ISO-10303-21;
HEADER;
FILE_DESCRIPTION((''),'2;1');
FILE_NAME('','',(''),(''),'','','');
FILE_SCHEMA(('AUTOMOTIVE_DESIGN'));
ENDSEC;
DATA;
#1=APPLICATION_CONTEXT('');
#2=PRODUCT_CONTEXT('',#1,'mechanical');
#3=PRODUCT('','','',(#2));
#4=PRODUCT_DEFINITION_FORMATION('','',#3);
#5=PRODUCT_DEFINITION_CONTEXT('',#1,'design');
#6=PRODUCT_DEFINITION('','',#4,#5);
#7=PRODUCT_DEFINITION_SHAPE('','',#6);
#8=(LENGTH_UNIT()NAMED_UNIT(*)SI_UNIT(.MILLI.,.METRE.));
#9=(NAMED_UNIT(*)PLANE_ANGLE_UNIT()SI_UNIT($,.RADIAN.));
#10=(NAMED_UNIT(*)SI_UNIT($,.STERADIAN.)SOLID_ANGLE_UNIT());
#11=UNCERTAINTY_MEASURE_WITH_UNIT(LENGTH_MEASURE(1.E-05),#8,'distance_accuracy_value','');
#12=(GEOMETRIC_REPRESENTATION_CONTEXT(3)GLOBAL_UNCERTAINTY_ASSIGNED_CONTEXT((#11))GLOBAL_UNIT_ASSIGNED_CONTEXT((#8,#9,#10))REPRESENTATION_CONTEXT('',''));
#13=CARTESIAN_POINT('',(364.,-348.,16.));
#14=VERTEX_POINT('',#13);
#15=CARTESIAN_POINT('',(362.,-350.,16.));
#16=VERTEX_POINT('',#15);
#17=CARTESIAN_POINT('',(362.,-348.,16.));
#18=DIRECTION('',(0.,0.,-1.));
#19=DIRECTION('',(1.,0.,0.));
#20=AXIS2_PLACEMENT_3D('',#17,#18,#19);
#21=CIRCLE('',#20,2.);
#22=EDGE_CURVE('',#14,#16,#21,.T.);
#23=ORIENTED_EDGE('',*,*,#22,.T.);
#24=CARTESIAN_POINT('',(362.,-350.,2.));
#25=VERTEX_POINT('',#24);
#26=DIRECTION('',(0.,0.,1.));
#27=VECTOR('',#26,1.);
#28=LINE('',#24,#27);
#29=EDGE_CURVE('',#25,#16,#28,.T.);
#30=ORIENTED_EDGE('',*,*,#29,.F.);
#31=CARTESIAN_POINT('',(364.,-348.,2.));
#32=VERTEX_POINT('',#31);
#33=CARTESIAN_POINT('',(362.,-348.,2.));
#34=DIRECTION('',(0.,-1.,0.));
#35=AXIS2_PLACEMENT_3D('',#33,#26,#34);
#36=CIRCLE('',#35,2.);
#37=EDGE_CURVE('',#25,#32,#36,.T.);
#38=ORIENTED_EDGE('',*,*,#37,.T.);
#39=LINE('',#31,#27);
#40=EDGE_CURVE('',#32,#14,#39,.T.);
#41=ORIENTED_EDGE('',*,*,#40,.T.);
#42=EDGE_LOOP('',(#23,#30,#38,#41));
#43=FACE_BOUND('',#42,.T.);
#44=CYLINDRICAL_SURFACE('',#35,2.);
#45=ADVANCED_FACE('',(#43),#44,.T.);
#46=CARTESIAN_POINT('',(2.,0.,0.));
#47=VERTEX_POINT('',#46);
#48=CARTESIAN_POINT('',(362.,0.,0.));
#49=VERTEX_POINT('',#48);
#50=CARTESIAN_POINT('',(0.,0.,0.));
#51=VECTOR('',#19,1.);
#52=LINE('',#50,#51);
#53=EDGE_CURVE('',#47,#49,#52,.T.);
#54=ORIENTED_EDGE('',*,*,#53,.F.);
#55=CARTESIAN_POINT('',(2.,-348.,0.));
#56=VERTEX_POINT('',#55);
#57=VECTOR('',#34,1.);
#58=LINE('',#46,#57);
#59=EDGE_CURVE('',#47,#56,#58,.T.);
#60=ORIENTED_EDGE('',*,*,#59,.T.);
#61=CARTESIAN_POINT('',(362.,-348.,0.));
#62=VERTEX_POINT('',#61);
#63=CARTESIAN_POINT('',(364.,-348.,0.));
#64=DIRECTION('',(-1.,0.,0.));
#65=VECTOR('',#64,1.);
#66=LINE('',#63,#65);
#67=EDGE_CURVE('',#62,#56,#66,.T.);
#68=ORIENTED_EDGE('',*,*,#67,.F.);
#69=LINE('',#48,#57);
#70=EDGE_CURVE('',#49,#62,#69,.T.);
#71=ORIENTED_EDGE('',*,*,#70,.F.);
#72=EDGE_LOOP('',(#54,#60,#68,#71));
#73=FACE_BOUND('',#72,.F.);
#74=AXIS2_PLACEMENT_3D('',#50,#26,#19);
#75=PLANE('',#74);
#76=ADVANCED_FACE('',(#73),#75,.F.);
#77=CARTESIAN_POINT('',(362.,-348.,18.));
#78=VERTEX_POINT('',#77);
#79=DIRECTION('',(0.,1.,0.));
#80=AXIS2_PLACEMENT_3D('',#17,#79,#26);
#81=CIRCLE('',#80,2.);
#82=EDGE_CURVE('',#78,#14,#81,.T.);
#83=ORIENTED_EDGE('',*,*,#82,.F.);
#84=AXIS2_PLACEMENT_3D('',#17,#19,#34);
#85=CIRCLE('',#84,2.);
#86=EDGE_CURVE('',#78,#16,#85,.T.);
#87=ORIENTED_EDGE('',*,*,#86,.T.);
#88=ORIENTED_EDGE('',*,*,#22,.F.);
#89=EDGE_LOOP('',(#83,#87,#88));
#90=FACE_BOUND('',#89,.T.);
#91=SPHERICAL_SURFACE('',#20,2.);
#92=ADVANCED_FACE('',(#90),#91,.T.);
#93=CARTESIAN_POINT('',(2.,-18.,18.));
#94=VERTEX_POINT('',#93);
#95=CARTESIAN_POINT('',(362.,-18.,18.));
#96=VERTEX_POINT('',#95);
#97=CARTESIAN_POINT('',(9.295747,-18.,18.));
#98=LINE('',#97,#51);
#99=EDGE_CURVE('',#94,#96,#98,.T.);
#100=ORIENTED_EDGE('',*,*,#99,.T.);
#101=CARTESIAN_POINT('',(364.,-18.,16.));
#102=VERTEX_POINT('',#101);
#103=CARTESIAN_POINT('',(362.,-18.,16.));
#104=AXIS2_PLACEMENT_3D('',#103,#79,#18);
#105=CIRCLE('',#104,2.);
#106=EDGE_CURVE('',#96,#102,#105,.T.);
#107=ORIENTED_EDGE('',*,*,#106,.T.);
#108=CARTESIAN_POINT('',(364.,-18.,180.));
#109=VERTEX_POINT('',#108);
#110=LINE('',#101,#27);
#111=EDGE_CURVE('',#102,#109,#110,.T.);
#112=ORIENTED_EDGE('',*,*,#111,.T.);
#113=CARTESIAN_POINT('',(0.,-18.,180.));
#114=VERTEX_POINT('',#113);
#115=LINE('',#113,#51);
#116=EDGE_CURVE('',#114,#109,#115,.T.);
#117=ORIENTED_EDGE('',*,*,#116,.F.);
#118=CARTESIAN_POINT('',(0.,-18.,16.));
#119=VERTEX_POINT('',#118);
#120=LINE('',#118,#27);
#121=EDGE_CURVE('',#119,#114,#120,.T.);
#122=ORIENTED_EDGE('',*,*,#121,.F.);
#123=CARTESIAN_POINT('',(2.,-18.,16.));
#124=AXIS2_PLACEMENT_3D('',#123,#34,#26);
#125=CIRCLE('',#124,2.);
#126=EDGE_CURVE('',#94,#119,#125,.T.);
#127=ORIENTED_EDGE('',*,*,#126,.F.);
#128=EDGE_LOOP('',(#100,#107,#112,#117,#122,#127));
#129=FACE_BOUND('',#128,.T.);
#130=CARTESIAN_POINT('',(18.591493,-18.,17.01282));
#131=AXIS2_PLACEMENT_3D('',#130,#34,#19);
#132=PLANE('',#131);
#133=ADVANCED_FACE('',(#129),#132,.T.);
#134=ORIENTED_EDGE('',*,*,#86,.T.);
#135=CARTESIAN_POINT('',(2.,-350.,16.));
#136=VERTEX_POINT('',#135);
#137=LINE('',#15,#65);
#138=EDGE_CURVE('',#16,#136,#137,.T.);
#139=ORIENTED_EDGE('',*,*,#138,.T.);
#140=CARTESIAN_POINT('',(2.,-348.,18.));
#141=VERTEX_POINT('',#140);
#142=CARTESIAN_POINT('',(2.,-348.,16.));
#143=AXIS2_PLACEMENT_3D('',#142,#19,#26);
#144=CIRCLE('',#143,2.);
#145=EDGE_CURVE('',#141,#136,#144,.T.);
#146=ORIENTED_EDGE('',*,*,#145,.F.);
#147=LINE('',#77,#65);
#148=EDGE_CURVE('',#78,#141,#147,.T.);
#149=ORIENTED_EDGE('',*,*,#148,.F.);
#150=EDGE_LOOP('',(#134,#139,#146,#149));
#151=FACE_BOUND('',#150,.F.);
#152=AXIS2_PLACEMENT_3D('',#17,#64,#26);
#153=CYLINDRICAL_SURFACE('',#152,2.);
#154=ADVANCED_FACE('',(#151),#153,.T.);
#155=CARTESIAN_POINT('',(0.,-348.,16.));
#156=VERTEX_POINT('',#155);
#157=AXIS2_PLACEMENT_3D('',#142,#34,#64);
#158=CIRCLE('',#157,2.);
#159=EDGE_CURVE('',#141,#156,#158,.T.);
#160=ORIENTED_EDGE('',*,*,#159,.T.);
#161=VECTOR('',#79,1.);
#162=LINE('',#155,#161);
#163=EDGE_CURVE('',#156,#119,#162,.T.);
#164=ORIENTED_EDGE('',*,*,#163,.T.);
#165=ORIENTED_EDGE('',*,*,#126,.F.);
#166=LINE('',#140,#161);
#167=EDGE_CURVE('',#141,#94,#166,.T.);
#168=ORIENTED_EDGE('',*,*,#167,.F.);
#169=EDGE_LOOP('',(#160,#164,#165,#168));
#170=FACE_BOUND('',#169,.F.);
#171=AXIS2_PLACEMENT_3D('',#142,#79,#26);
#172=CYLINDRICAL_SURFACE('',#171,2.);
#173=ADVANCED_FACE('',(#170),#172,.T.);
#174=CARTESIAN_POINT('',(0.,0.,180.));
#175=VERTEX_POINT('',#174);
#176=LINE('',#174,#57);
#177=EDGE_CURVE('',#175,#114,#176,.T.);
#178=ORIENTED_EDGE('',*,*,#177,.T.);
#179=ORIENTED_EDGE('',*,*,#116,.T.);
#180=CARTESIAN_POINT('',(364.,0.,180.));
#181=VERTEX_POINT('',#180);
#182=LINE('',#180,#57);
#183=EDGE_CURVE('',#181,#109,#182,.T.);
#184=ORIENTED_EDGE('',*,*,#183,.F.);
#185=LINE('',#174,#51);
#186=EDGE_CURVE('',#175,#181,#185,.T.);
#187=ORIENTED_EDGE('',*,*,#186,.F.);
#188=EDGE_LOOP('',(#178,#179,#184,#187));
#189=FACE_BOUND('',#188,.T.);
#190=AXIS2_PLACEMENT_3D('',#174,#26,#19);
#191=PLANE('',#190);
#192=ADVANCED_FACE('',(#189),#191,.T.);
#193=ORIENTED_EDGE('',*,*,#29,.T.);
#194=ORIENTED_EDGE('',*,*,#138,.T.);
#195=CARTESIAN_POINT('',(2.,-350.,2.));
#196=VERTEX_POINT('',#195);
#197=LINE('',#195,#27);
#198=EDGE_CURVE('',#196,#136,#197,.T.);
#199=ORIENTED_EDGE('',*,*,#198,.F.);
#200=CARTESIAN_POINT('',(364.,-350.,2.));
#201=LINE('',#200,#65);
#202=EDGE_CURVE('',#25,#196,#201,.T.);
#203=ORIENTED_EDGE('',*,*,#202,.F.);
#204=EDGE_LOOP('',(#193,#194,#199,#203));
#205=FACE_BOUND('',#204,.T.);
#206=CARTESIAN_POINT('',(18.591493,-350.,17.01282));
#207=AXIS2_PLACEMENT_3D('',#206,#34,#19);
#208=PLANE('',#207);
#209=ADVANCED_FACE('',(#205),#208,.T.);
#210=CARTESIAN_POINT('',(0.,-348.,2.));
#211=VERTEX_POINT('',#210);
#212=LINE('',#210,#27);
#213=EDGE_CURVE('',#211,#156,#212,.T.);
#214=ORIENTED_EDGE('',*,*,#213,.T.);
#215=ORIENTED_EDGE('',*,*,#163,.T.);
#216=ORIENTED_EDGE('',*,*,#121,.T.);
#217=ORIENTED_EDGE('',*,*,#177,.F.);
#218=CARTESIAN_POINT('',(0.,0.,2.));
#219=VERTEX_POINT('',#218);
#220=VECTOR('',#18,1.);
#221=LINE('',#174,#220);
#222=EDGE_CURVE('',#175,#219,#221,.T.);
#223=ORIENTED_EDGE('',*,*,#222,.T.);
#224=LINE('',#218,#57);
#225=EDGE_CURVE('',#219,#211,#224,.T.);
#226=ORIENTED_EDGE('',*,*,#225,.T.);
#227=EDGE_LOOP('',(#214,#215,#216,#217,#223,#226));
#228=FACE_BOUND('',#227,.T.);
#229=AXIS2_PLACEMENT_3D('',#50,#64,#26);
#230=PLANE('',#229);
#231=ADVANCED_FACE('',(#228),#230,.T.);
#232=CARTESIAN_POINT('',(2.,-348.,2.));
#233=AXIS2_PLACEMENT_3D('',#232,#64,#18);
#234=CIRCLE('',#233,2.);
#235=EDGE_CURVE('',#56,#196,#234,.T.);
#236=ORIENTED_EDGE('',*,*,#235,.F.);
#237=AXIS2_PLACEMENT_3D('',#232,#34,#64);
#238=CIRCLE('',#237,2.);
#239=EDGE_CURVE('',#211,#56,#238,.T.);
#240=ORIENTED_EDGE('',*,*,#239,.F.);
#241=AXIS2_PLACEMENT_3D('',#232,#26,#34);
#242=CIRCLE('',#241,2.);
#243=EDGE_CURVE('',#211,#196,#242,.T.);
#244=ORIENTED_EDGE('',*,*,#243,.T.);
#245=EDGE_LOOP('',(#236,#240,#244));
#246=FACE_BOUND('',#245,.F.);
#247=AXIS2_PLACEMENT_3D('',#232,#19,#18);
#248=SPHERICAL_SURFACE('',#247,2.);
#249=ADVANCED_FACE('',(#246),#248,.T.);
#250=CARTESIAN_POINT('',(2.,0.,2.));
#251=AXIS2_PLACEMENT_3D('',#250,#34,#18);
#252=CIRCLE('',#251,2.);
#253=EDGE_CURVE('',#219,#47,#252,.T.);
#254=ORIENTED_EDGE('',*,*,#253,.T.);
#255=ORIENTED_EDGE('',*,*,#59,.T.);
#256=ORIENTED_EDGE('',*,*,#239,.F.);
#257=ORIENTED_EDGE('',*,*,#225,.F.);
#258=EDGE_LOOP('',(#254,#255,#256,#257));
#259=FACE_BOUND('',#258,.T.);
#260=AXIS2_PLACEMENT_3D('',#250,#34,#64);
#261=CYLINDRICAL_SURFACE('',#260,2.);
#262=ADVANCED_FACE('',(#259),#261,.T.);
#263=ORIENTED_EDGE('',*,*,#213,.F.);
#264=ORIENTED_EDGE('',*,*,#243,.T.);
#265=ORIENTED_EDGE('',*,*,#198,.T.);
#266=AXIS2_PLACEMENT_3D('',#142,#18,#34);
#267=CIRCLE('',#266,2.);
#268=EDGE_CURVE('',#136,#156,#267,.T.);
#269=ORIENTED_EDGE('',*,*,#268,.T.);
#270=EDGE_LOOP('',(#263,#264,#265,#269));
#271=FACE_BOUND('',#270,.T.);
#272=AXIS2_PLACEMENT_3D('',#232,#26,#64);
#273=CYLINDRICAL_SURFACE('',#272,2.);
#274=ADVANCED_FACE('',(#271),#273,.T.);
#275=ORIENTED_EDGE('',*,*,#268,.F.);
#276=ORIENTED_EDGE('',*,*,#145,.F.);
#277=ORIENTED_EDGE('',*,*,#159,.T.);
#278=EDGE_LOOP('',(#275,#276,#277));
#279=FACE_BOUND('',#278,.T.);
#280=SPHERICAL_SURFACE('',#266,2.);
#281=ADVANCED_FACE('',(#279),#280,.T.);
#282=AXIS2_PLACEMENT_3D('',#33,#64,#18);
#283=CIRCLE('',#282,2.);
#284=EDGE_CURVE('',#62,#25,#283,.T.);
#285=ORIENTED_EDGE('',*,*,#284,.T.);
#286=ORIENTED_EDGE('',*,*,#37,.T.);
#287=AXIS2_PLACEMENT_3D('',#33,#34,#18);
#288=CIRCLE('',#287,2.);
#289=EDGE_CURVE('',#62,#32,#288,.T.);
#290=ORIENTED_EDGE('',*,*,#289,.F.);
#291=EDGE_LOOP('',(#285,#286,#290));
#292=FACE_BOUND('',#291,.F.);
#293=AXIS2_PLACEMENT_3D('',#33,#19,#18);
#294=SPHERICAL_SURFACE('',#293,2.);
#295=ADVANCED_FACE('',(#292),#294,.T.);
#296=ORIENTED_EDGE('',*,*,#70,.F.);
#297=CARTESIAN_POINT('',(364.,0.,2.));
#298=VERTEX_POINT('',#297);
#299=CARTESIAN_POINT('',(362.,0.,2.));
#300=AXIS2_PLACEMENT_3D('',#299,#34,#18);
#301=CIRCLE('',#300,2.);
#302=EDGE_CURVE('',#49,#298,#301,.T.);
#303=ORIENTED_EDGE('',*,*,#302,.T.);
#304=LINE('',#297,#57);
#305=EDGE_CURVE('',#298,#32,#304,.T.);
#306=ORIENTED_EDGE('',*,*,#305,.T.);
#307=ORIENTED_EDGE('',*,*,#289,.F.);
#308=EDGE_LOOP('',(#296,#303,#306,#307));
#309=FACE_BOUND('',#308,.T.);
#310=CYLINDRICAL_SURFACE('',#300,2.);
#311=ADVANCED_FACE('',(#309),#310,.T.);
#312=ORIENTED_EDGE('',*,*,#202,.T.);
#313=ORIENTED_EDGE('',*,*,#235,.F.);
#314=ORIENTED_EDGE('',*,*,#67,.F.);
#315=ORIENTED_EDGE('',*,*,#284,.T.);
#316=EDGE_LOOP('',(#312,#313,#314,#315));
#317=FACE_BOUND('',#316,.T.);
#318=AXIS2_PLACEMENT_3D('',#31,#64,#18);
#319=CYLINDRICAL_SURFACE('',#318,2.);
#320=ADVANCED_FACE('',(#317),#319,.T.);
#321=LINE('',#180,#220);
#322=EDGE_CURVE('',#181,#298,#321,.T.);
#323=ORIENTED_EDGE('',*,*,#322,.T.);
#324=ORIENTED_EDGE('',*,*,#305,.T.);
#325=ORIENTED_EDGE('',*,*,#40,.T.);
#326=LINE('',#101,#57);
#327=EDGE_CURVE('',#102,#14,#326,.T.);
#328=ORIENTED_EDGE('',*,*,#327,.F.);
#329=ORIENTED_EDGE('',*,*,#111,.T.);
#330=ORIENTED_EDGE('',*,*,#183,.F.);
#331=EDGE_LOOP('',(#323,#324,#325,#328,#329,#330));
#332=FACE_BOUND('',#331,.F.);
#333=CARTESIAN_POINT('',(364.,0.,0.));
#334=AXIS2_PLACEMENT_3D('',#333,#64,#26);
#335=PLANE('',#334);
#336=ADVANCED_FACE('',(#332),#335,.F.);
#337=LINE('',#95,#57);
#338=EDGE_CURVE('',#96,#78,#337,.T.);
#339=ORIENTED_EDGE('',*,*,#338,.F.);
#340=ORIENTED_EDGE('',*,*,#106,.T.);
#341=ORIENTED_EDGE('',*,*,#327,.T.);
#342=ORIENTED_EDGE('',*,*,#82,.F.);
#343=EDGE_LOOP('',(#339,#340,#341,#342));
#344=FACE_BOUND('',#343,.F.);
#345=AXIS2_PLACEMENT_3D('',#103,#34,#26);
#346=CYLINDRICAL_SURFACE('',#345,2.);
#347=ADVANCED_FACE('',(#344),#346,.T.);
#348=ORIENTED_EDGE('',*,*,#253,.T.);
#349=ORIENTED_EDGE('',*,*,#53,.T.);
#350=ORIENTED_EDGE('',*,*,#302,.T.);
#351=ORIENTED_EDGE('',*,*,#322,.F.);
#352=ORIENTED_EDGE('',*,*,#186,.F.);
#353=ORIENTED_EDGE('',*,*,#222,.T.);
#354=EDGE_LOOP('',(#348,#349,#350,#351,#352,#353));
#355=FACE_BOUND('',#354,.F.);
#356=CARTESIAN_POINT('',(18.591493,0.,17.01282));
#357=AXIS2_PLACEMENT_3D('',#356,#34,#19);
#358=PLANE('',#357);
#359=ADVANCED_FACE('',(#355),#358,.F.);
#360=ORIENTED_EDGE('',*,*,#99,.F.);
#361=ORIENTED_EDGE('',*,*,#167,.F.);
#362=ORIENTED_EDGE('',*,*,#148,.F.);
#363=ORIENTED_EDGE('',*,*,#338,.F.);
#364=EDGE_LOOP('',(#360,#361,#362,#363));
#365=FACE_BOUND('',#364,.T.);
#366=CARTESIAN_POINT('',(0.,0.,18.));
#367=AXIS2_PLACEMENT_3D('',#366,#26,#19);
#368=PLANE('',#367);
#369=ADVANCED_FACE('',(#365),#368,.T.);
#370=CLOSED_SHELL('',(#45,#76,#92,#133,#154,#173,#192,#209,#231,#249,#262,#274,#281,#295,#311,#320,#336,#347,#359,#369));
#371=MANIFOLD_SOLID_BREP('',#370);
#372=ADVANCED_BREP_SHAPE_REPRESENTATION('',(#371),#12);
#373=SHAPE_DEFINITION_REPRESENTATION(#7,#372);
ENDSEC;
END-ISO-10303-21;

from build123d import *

# Parameters (mm, degrees)
F0_W     = 37.1829867363
F0_H     = 34.0256392956
F1_DEPTH = 350
F2_DEPTH = 400
F3_DEPTH = 180
F4_T     = -18
F5_DEPTH = 36
F6_R     = 2
F7_R     = 2
F8_R     = 2


with BuildPart() as f1:
    # F0 (on Front) → F1 (new body)
    with BuildSketch(Plane.XZ):
        with Locations((18.5914933681, 17.0128196478)):
            Rectangle(F0_W, F0_H)
    extrude(amount=F1_DEPTH)

    # F2 (add): a face of the model
    f2_faces = [f1.faces().sort_by_distance(p)[0] for p in [
        (0, -175, 17.0128196478),
    ]]
    extrude(f2_faces, amount=-F2_DEPTH)

    # F3 (add): a face of the model
    f3_faces = [f1.faces().sort_by_distance(p)[0] for p in [
        (200, -175, 0),
    ]]
    extrude(f3_faces, amount=-F3_DEPTH)

    # F4
    f4_openings = [f1.faces().sort_by_distance(p)[0] for p in [
        (0, -175, 90),
        (200, -350, 90),
        (200, -175, 180),
        (400, -175, 90),
    ]]
    offset(amount=F4_T, openings=f4_openings)

    # F5 (cut): a face of the model
    f5_faces = [f1.faces().sort_by_distance(p)[0] for p in [
        (400, -9, 176.0642662692),
    ]]
    extrude(f5_faces, amount=-F5_DEPTH, mode=Mode.SUBTRACT)

    # F6
    f6_edges = [f1.edges().sort_by_distance(p)[0] for p in [
        (182, -350, 0),
    ]]
    fillet(f6_edges, radius=F6_R)

    # F7
    f7_edges = [f1.edges().sort_by_distance(p)[0] for p in [
        (364, -350, 10),
        (0, -350, 10),
    ]]
    fillet(f7_edges, radius=F7_R)

    # F8
    f8_edges = [f1.edges().sort_by_distance(p)[0] for p in [
        (182, -350, 18),
    ]]
    fillet(f8_edges, radius=F8_R)


solid = f1.part
